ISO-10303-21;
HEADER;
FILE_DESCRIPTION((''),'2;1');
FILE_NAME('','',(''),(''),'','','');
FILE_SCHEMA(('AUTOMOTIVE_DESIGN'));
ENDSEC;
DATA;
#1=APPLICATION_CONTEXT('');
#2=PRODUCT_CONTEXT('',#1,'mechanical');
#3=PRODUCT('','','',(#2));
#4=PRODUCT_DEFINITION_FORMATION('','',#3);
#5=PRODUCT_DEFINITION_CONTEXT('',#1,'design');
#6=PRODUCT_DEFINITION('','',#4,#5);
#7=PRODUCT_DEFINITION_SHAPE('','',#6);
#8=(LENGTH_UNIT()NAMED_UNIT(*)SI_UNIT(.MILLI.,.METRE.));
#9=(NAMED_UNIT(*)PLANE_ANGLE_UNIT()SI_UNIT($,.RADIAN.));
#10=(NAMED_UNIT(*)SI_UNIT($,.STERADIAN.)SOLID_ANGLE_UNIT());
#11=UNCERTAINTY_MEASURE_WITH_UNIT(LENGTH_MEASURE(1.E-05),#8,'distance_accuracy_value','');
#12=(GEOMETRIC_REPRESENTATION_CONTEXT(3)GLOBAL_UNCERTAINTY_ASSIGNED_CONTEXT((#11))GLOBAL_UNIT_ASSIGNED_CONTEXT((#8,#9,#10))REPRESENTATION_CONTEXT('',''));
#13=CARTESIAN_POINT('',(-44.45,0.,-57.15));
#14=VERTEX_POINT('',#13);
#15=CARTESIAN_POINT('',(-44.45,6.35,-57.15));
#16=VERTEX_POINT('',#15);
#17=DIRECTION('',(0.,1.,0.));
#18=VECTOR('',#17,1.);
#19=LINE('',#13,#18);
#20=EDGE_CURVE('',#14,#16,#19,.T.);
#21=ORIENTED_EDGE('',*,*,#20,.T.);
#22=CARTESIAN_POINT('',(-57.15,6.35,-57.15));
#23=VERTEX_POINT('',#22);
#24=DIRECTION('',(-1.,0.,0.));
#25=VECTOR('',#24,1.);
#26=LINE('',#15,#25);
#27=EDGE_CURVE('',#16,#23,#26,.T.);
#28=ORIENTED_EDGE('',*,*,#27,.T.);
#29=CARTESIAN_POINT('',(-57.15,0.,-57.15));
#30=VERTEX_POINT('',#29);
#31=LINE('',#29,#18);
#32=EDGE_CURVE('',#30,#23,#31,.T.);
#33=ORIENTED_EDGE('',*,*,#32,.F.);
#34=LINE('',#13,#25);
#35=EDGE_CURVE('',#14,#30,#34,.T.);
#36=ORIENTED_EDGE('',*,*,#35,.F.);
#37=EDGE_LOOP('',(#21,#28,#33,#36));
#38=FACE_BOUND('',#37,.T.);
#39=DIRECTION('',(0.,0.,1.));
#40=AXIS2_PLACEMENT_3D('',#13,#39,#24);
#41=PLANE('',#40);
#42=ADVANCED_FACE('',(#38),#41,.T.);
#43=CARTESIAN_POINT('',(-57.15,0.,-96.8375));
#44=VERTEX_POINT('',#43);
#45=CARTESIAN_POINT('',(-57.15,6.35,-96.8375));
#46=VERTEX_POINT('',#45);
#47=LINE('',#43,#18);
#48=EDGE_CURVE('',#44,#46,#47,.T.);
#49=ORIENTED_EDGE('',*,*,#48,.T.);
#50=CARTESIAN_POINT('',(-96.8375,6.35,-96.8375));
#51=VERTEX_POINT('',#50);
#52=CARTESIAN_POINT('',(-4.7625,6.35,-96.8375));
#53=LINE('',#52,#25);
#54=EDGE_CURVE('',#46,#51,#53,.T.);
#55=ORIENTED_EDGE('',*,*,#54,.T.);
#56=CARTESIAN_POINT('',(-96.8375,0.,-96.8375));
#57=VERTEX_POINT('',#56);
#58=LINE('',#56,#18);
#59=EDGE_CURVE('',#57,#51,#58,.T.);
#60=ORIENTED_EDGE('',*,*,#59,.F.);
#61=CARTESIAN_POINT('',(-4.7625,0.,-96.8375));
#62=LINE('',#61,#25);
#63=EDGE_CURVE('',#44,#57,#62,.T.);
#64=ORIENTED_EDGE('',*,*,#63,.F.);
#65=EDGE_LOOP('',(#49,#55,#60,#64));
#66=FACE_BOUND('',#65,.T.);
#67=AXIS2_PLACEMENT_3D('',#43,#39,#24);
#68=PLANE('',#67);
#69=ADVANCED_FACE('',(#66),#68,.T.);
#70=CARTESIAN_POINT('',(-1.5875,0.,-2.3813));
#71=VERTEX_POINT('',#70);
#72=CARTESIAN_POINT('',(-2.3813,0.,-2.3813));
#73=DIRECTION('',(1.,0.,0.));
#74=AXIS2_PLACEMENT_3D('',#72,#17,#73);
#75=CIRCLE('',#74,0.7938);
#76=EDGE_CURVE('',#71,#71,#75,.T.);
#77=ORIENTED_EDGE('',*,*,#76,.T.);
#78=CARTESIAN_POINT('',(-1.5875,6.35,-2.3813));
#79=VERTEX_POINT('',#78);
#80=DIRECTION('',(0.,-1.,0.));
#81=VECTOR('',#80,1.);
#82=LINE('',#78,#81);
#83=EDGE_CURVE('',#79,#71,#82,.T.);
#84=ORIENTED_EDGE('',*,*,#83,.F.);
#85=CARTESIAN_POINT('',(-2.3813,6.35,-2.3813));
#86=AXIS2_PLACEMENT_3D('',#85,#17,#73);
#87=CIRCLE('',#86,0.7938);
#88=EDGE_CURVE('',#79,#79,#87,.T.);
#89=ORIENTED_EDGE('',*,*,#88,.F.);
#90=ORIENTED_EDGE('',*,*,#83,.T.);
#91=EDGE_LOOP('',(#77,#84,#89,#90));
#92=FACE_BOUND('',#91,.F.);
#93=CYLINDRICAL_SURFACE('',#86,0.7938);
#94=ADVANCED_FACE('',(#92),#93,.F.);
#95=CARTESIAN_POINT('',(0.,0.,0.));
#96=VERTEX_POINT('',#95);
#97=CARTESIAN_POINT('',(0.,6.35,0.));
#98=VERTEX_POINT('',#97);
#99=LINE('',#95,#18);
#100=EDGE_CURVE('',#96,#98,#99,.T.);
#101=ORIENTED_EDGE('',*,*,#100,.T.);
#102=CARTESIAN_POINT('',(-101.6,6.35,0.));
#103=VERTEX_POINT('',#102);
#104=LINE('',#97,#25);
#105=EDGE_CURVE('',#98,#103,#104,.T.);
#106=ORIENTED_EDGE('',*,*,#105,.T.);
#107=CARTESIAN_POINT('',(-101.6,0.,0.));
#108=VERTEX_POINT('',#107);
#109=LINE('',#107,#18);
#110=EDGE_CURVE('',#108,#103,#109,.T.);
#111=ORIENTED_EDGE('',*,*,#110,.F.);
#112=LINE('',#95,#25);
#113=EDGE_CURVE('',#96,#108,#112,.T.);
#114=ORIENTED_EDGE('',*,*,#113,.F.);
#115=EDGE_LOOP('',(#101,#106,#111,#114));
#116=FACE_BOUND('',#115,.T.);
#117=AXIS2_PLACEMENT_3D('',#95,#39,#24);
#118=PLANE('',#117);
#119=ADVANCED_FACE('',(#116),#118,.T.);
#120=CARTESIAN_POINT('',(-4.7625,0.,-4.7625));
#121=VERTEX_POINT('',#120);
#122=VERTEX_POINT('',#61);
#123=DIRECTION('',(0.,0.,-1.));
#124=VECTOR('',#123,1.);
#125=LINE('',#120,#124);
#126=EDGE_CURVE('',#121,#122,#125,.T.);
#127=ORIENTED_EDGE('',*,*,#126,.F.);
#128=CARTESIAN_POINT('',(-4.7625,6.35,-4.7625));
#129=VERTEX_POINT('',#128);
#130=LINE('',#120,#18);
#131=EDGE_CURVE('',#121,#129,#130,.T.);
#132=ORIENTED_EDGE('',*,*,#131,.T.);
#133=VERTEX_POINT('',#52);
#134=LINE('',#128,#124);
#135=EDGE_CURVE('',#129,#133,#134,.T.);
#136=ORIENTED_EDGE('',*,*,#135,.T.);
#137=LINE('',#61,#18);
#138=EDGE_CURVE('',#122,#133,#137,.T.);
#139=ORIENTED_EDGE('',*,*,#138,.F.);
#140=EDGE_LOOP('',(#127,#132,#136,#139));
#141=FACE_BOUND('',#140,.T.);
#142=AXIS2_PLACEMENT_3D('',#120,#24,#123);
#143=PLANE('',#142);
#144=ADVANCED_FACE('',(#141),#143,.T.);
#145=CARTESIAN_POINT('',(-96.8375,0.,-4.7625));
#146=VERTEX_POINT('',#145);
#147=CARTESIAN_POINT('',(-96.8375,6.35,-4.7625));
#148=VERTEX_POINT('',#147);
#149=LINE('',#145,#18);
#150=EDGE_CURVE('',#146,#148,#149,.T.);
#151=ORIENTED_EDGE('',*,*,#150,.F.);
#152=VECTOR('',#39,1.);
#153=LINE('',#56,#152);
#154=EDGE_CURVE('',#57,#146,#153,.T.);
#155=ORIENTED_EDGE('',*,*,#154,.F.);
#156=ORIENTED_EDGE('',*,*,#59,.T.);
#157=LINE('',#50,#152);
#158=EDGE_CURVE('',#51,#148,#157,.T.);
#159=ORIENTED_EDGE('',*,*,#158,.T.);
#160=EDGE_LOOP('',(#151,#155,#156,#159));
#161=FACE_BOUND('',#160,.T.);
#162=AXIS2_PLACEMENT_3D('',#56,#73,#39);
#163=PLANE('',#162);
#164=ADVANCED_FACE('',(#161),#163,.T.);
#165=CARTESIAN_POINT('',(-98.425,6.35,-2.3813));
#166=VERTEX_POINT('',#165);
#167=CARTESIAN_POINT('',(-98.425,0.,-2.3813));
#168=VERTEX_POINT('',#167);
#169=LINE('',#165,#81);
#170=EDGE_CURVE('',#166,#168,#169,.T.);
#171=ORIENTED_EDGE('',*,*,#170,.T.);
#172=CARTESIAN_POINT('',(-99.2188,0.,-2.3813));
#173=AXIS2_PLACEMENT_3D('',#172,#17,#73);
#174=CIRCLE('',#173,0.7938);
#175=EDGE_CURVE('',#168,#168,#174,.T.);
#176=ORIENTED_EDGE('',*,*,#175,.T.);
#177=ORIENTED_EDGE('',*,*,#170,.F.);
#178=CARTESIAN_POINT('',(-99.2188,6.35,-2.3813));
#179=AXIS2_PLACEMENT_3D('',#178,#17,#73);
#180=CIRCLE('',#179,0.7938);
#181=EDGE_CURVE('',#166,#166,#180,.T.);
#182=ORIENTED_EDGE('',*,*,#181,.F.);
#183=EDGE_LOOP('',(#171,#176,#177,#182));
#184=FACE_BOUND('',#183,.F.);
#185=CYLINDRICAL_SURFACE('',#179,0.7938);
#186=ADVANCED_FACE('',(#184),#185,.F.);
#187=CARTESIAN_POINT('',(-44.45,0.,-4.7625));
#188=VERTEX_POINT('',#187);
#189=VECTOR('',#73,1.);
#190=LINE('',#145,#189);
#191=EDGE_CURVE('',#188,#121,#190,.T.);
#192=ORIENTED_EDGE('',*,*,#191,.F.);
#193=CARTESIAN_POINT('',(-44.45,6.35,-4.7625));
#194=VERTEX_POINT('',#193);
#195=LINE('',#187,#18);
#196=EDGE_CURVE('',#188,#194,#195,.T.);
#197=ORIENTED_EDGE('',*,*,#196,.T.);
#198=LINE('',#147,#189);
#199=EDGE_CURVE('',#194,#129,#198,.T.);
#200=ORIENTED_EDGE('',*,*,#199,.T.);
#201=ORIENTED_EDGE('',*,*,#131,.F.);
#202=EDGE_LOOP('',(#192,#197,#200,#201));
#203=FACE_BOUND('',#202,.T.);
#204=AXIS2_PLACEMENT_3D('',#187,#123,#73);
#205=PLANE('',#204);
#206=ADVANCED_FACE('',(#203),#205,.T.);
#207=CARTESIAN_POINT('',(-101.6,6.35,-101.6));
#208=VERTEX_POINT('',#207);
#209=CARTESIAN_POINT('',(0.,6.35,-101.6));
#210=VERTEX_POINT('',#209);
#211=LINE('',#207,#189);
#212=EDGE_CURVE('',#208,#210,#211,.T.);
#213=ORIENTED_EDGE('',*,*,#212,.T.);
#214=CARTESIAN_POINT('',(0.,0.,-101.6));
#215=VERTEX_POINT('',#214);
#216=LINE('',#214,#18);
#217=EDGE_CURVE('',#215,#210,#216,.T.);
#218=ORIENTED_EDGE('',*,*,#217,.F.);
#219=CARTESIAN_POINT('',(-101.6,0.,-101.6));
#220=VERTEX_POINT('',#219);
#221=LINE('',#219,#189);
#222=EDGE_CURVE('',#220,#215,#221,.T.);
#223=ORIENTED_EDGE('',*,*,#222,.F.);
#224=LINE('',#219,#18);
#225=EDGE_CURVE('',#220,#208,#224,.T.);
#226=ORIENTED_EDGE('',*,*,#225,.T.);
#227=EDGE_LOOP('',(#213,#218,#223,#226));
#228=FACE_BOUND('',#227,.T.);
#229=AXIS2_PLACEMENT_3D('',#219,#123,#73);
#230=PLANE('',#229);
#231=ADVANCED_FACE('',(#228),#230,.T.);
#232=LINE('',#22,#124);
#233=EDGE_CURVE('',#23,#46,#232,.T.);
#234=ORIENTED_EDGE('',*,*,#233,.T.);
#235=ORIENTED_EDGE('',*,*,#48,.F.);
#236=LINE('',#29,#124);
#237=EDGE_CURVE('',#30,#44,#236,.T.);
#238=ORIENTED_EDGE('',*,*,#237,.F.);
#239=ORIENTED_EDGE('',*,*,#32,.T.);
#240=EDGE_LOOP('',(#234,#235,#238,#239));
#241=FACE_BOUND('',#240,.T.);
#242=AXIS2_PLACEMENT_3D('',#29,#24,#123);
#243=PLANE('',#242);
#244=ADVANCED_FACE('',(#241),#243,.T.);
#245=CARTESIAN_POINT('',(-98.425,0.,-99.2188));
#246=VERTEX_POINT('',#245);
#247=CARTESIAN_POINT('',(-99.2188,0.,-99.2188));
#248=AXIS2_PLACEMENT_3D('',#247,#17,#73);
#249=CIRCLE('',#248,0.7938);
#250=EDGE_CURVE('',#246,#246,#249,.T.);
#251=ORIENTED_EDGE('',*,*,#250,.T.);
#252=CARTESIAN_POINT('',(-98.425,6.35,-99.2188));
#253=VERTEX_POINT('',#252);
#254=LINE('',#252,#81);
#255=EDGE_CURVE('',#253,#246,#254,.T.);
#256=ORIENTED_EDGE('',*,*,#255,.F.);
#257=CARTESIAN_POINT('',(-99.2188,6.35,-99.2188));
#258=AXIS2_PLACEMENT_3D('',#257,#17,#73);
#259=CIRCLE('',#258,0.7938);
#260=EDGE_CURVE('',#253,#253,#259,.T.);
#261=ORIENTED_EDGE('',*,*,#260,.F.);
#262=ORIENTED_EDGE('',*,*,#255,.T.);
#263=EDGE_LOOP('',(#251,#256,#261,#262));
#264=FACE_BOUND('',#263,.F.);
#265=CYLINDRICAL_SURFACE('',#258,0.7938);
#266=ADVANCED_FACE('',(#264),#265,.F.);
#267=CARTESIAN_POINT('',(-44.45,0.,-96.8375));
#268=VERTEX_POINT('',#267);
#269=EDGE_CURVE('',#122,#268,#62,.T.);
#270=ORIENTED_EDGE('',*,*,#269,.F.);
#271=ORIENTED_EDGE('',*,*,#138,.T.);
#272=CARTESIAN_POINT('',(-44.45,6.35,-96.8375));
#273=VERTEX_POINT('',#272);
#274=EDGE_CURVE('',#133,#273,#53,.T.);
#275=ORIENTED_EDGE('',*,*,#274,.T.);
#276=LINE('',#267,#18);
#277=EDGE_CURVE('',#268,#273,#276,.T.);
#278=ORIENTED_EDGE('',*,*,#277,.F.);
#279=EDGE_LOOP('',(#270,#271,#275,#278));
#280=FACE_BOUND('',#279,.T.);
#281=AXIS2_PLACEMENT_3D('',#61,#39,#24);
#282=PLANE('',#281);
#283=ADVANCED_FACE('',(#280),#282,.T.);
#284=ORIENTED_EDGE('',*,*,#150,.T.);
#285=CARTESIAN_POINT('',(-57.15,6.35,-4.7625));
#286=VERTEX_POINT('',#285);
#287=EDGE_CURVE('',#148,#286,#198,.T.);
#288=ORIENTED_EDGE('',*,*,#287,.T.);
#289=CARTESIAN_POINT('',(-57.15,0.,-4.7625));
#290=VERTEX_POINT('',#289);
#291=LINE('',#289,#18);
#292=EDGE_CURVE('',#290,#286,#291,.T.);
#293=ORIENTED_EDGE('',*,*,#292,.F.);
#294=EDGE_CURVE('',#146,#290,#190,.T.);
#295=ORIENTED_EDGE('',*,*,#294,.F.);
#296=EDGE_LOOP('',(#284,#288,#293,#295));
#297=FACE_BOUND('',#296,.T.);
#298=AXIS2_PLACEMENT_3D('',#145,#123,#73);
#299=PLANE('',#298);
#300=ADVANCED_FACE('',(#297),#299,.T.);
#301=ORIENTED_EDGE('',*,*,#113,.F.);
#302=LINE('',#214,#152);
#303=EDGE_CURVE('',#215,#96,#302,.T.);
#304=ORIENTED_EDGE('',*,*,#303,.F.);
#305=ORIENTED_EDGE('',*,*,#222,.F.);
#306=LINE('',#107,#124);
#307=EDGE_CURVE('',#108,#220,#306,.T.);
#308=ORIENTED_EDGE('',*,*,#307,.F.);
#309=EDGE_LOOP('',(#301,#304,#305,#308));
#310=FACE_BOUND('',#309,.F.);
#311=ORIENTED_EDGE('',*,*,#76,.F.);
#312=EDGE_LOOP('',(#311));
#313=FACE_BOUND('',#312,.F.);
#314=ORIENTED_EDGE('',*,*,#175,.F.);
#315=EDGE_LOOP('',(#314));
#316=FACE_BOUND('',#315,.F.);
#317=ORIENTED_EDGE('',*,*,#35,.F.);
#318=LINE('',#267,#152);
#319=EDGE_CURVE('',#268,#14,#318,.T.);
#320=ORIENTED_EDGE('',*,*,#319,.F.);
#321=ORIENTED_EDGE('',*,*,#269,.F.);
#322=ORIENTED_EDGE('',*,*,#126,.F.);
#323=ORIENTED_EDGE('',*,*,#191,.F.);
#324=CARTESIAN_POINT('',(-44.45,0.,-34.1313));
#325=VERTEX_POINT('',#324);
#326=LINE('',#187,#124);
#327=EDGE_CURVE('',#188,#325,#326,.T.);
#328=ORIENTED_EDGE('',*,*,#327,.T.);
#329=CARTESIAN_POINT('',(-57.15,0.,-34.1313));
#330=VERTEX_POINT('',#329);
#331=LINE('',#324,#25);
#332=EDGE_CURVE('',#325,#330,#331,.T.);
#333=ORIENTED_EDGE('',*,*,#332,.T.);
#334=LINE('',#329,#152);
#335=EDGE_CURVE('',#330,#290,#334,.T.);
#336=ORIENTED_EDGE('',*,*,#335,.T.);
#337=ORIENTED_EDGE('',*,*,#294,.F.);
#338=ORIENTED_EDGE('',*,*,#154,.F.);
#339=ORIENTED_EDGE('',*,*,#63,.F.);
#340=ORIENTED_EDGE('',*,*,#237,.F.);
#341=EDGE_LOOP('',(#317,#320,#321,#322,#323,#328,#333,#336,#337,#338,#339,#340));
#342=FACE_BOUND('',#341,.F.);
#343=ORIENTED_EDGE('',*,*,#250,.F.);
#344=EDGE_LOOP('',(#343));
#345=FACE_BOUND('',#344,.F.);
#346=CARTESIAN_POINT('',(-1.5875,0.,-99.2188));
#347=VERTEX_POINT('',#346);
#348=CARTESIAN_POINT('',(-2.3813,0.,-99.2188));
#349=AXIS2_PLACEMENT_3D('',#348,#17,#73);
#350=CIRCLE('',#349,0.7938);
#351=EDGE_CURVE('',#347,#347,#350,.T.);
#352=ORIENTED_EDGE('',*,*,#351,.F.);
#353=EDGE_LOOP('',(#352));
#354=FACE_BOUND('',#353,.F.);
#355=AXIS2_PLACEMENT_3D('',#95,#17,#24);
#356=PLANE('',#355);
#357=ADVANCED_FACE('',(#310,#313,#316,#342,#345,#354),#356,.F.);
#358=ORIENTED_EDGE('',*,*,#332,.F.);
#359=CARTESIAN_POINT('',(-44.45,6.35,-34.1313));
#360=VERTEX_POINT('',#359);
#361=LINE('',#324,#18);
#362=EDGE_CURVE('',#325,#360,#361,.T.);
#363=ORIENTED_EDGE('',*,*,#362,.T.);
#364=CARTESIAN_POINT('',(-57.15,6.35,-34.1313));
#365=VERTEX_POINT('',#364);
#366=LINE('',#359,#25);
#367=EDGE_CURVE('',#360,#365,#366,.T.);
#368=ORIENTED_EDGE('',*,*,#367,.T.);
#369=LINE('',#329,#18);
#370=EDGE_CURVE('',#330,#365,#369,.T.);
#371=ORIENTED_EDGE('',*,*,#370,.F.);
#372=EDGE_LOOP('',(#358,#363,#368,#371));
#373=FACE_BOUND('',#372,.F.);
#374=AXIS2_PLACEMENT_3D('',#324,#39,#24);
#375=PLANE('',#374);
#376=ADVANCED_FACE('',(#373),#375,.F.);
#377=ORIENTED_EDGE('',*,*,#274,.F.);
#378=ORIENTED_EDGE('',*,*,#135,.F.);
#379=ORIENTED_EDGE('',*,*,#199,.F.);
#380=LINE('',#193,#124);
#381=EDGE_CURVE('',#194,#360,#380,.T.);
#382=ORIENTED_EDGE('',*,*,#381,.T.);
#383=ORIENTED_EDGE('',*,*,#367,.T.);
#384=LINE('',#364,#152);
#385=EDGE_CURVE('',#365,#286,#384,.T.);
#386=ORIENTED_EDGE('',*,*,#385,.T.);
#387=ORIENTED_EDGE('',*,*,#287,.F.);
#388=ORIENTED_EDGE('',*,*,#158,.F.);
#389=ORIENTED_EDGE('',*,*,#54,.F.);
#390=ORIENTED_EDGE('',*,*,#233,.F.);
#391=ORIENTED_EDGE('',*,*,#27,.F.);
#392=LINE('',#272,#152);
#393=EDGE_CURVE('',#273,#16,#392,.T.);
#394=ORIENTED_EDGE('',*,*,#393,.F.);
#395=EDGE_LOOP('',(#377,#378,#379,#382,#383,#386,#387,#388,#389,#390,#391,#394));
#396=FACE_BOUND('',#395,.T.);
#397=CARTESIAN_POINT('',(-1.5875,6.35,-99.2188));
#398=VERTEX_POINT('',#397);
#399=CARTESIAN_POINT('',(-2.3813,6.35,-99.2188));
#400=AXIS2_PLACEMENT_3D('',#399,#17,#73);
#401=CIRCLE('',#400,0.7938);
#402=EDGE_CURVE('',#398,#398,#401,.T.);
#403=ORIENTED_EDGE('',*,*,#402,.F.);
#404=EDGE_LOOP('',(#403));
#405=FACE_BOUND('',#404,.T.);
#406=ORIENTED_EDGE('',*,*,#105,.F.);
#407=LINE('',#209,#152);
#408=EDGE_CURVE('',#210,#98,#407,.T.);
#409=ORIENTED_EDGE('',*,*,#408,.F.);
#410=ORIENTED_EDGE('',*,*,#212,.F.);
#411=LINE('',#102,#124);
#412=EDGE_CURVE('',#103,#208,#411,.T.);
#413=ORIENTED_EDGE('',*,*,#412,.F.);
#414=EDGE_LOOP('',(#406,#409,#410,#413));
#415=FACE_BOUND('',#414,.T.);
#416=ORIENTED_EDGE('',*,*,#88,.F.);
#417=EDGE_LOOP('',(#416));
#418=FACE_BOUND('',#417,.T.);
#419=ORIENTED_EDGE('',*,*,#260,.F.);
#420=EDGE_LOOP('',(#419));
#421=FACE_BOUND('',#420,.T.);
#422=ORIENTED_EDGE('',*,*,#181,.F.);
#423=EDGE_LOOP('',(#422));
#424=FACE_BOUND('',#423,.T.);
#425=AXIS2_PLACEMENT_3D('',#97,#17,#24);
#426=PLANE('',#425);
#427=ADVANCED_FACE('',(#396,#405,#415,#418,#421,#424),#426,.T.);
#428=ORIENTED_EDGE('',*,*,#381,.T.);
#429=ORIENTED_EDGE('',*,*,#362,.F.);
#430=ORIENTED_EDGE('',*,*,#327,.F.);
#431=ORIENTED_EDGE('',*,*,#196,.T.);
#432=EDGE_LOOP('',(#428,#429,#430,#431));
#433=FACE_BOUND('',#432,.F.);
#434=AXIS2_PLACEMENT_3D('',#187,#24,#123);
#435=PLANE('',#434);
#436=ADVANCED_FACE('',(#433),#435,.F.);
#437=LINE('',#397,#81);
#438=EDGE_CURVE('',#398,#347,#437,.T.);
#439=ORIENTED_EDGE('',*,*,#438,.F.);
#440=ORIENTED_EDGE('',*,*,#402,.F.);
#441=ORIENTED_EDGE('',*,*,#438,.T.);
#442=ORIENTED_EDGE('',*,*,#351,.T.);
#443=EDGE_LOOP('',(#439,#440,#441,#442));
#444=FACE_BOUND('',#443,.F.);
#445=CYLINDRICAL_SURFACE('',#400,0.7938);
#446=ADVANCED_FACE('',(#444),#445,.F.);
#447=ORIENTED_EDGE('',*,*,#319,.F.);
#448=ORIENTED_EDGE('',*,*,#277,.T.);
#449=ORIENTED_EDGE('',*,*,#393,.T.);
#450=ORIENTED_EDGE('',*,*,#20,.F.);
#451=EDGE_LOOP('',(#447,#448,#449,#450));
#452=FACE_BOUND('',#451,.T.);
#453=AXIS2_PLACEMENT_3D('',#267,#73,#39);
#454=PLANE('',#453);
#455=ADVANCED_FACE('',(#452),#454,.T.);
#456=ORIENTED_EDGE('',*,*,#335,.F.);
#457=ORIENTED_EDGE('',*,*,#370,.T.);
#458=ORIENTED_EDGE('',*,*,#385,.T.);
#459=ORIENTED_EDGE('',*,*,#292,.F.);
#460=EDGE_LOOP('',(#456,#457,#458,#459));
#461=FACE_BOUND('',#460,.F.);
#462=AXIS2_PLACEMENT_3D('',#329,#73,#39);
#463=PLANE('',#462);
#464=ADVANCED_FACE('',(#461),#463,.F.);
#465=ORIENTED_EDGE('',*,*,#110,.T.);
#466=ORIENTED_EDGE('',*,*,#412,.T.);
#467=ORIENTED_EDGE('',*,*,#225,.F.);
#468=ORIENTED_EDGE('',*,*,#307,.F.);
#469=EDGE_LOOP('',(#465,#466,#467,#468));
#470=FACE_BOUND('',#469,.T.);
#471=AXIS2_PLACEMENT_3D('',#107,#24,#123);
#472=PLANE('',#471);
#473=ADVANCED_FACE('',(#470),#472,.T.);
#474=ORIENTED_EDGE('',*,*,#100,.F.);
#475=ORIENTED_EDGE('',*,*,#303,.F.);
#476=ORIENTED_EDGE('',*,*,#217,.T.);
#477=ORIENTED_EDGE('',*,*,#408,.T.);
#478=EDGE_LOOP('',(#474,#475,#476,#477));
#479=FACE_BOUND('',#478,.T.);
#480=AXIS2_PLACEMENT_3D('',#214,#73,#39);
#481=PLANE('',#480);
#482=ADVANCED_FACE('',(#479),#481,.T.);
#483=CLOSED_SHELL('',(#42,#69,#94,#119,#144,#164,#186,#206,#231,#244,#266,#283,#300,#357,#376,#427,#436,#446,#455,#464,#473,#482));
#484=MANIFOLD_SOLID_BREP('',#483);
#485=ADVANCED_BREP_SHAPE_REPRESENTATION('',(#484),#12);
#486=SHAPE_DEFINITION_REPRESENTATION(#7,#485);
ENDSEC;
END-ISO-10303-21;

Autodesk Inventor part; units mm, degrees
ref_plane "YZ Plane" through (0, 0, 0) normal (1, 0, 0) x (0, 1, 0)
ref_plane "XZ Plane" through (0, 0, 0) normal (0, 1, 0) x (-1, 0, 0)
ref_plane "XY Plane" through (0, 0, 0) normal (0, 0, 1) x (1, 0, 0)
sketch "Sketch1" plane through (0, 0, 0) normal (0, 1, 0) x (-1, 0, 0)
  line L0 (0, 0) -> (101.6, 0)
  line L1 (101.6, 0) -> (101.6, -101.6)
  line L2 (101.6, -101.6) -> (0, -101.6)
  line L3 (0, -101.6) -> (0, 0)
  line L4 (4.7625, -96.8375) -> (96.8375, -96.8375)
  line L5 (96.8375, -96.8375) -> (96.8375, -4.7625)
  line L6 (96.8375, -4.7625) -> (4.7625, -4.7625)
  line L7 (4.7625, -4.7625) -> (4.7625, -96.8375)
  line L8 (57.15, -4.7625) -> (44.45, -4.7625)
  line L9 (44.45, -4.7625) -> (44.45, -34.1313)
  line L10 (44.45, -34.1313) -> (57.15, -34.1313)
  line L11 (57.15, -34.1313) -> (57.15, -4.7625)
  line L12 (57.15, -96.8375) -> (44.45, -96.8375)
  line L13 (44.45, -96.8375) -> (44.45, -57.15)
  line L14 (44.45, -57.15) -> (57.15, -57.15)
  line L15 (57.15, -57.15) -> (57.15, -96.8375)
  line L16 (57.15, -34.1312) -> (44.45, -34.1312)
  line L17 (44.45, -34.1312) -> (44.45, -57.15) construction
  line L18 (44.45, -57.15) -> (57.15, -57.15)
  line L19 (57.15, -57.15) -> (57.15, -34.1312) construction
  point P0 (50.8, -50.8)
  point P1 (0, -50.8)
  point P2 (50.8, 0)
  point P3 (50.8, -4.7625)
  point P4 (50.8, -4.7625)
  point P5 (50.8, -96.8375)
  point P6 (50.8, -96.8375)
  point P7 (50.8, -34.1312)
  point P8 (50.8, -34.1313)
  point P9 (50.8, -50.8)
  point P10 (50.8, -57.15)
  dimension "d0" = 101.6
  dimension "d1" = 101.6
  dimension "d2" = 4.7625
  dimension "d13" = 12.7
  dimension "d14" = 39.6875
  dimension "d15" = 29.3687
  dimension "d16" = 12.7
  dimension "d17" = 23.0188
  dimension "d18" = 6.35
extrude "Extrusion1" add sketch "Sketch1" along normal blind 6.35 contours L0 L1 L2 L3 | L13 L14 L15 L4 | L6 L11 L10 L9
sketch "Sketch2" plane through (0, 6.35, 0) normal (0, 1, 0) x (1, 0, 0)
  line L0 (0, 101.6) -> (-101.6, 101.6) projected
  line L1 (-101.6, 101.6) -> (-101.6, 0) projected
  line L2 (-101.6, 0) -> (0, 0) projected
  line L3 (0, 0) -> (0, 101.6) projected
  circle A0 centre (-99.2188, 99.2188) radius 0.7938
  circle A1 centre (-99.2188, 2.3813) radius 0.7938
  circle A2 centre (-2.3813, 99.2188) radius 0.7938
  circle A3 centre (-2.3813, 2.3813) radius 0.7938
  dimension "d20" = 1.5875
  dimension "d21" = 2.3813
  dimension "d22" = 2.3813
  dimension "d25" = 96.8375
  dimension "d28" = 96.8375
extrude "Extrusion2" cut sketch "Sketch2" against normal blind 6.35 contours A0 | A1 | A2 | A3
sketch "Sketch3" plane through (0, 6.35, 0) normal (0, 1, 0) x (1, 0, 0)
  circle A0 centre (-99.2188, 99.2188) radius 0.7938 projected
  circle A1 centre (-99.2188, 2.3813) radius 0.7938 projected
  circle A2 centre (-2.3813, 99.2188) radius 0.7938 projected
  circle A3 centre (-2.3813, 2.3813) radius 0.7938 projected
  line L0 (0, 101.6) -> (-101.6, 101.6) projected
  line L1 (-101.6, 101.6) -> (-101.6, 0) projected
  line L2 (-101.6, 0) -> (0, 0) projected
  line L3 (0, 0) -> (0, 101.6) projected
  line L4 (-96.8375, 4.7625) -> (-96.8375, 96.8375) projected
  line L5 (-96.8375, 96.8375) -> (-57.15, 96.8375) projected
  line L6 (-57.15, 96.8375) -> (-57.15, 57.15) projected
  line L7 (-57.15, 57.15) -> (-44.45, 57.15) projected
  line L8 (-44.45, 57.15) -> (-44.45, 96.8375) projected
  line L9 (-44.45, 96.8375) -> (-4.7625, 96.8375) projected
  line L10 (-4.7625, 96.8375) -> (-4.7625, 4.7625) projected
  line L11 (-4.7625, 4.7625) -> (-44.45, 4.7625) projected
  line L12 (-44.45, 4.7625) -> (-44.45, 34.1313) projected
  line L13 (-44.45, 34.1313) -> (-57.15, 34.1313) projected
  line L14 (-57.15, 34.1313) -> (-57.15, 4.7625) projected
  line L15 (-57.15, 4.7625) -> (-96.8375, 4.7625) projected
properties part number "Layer 3"
